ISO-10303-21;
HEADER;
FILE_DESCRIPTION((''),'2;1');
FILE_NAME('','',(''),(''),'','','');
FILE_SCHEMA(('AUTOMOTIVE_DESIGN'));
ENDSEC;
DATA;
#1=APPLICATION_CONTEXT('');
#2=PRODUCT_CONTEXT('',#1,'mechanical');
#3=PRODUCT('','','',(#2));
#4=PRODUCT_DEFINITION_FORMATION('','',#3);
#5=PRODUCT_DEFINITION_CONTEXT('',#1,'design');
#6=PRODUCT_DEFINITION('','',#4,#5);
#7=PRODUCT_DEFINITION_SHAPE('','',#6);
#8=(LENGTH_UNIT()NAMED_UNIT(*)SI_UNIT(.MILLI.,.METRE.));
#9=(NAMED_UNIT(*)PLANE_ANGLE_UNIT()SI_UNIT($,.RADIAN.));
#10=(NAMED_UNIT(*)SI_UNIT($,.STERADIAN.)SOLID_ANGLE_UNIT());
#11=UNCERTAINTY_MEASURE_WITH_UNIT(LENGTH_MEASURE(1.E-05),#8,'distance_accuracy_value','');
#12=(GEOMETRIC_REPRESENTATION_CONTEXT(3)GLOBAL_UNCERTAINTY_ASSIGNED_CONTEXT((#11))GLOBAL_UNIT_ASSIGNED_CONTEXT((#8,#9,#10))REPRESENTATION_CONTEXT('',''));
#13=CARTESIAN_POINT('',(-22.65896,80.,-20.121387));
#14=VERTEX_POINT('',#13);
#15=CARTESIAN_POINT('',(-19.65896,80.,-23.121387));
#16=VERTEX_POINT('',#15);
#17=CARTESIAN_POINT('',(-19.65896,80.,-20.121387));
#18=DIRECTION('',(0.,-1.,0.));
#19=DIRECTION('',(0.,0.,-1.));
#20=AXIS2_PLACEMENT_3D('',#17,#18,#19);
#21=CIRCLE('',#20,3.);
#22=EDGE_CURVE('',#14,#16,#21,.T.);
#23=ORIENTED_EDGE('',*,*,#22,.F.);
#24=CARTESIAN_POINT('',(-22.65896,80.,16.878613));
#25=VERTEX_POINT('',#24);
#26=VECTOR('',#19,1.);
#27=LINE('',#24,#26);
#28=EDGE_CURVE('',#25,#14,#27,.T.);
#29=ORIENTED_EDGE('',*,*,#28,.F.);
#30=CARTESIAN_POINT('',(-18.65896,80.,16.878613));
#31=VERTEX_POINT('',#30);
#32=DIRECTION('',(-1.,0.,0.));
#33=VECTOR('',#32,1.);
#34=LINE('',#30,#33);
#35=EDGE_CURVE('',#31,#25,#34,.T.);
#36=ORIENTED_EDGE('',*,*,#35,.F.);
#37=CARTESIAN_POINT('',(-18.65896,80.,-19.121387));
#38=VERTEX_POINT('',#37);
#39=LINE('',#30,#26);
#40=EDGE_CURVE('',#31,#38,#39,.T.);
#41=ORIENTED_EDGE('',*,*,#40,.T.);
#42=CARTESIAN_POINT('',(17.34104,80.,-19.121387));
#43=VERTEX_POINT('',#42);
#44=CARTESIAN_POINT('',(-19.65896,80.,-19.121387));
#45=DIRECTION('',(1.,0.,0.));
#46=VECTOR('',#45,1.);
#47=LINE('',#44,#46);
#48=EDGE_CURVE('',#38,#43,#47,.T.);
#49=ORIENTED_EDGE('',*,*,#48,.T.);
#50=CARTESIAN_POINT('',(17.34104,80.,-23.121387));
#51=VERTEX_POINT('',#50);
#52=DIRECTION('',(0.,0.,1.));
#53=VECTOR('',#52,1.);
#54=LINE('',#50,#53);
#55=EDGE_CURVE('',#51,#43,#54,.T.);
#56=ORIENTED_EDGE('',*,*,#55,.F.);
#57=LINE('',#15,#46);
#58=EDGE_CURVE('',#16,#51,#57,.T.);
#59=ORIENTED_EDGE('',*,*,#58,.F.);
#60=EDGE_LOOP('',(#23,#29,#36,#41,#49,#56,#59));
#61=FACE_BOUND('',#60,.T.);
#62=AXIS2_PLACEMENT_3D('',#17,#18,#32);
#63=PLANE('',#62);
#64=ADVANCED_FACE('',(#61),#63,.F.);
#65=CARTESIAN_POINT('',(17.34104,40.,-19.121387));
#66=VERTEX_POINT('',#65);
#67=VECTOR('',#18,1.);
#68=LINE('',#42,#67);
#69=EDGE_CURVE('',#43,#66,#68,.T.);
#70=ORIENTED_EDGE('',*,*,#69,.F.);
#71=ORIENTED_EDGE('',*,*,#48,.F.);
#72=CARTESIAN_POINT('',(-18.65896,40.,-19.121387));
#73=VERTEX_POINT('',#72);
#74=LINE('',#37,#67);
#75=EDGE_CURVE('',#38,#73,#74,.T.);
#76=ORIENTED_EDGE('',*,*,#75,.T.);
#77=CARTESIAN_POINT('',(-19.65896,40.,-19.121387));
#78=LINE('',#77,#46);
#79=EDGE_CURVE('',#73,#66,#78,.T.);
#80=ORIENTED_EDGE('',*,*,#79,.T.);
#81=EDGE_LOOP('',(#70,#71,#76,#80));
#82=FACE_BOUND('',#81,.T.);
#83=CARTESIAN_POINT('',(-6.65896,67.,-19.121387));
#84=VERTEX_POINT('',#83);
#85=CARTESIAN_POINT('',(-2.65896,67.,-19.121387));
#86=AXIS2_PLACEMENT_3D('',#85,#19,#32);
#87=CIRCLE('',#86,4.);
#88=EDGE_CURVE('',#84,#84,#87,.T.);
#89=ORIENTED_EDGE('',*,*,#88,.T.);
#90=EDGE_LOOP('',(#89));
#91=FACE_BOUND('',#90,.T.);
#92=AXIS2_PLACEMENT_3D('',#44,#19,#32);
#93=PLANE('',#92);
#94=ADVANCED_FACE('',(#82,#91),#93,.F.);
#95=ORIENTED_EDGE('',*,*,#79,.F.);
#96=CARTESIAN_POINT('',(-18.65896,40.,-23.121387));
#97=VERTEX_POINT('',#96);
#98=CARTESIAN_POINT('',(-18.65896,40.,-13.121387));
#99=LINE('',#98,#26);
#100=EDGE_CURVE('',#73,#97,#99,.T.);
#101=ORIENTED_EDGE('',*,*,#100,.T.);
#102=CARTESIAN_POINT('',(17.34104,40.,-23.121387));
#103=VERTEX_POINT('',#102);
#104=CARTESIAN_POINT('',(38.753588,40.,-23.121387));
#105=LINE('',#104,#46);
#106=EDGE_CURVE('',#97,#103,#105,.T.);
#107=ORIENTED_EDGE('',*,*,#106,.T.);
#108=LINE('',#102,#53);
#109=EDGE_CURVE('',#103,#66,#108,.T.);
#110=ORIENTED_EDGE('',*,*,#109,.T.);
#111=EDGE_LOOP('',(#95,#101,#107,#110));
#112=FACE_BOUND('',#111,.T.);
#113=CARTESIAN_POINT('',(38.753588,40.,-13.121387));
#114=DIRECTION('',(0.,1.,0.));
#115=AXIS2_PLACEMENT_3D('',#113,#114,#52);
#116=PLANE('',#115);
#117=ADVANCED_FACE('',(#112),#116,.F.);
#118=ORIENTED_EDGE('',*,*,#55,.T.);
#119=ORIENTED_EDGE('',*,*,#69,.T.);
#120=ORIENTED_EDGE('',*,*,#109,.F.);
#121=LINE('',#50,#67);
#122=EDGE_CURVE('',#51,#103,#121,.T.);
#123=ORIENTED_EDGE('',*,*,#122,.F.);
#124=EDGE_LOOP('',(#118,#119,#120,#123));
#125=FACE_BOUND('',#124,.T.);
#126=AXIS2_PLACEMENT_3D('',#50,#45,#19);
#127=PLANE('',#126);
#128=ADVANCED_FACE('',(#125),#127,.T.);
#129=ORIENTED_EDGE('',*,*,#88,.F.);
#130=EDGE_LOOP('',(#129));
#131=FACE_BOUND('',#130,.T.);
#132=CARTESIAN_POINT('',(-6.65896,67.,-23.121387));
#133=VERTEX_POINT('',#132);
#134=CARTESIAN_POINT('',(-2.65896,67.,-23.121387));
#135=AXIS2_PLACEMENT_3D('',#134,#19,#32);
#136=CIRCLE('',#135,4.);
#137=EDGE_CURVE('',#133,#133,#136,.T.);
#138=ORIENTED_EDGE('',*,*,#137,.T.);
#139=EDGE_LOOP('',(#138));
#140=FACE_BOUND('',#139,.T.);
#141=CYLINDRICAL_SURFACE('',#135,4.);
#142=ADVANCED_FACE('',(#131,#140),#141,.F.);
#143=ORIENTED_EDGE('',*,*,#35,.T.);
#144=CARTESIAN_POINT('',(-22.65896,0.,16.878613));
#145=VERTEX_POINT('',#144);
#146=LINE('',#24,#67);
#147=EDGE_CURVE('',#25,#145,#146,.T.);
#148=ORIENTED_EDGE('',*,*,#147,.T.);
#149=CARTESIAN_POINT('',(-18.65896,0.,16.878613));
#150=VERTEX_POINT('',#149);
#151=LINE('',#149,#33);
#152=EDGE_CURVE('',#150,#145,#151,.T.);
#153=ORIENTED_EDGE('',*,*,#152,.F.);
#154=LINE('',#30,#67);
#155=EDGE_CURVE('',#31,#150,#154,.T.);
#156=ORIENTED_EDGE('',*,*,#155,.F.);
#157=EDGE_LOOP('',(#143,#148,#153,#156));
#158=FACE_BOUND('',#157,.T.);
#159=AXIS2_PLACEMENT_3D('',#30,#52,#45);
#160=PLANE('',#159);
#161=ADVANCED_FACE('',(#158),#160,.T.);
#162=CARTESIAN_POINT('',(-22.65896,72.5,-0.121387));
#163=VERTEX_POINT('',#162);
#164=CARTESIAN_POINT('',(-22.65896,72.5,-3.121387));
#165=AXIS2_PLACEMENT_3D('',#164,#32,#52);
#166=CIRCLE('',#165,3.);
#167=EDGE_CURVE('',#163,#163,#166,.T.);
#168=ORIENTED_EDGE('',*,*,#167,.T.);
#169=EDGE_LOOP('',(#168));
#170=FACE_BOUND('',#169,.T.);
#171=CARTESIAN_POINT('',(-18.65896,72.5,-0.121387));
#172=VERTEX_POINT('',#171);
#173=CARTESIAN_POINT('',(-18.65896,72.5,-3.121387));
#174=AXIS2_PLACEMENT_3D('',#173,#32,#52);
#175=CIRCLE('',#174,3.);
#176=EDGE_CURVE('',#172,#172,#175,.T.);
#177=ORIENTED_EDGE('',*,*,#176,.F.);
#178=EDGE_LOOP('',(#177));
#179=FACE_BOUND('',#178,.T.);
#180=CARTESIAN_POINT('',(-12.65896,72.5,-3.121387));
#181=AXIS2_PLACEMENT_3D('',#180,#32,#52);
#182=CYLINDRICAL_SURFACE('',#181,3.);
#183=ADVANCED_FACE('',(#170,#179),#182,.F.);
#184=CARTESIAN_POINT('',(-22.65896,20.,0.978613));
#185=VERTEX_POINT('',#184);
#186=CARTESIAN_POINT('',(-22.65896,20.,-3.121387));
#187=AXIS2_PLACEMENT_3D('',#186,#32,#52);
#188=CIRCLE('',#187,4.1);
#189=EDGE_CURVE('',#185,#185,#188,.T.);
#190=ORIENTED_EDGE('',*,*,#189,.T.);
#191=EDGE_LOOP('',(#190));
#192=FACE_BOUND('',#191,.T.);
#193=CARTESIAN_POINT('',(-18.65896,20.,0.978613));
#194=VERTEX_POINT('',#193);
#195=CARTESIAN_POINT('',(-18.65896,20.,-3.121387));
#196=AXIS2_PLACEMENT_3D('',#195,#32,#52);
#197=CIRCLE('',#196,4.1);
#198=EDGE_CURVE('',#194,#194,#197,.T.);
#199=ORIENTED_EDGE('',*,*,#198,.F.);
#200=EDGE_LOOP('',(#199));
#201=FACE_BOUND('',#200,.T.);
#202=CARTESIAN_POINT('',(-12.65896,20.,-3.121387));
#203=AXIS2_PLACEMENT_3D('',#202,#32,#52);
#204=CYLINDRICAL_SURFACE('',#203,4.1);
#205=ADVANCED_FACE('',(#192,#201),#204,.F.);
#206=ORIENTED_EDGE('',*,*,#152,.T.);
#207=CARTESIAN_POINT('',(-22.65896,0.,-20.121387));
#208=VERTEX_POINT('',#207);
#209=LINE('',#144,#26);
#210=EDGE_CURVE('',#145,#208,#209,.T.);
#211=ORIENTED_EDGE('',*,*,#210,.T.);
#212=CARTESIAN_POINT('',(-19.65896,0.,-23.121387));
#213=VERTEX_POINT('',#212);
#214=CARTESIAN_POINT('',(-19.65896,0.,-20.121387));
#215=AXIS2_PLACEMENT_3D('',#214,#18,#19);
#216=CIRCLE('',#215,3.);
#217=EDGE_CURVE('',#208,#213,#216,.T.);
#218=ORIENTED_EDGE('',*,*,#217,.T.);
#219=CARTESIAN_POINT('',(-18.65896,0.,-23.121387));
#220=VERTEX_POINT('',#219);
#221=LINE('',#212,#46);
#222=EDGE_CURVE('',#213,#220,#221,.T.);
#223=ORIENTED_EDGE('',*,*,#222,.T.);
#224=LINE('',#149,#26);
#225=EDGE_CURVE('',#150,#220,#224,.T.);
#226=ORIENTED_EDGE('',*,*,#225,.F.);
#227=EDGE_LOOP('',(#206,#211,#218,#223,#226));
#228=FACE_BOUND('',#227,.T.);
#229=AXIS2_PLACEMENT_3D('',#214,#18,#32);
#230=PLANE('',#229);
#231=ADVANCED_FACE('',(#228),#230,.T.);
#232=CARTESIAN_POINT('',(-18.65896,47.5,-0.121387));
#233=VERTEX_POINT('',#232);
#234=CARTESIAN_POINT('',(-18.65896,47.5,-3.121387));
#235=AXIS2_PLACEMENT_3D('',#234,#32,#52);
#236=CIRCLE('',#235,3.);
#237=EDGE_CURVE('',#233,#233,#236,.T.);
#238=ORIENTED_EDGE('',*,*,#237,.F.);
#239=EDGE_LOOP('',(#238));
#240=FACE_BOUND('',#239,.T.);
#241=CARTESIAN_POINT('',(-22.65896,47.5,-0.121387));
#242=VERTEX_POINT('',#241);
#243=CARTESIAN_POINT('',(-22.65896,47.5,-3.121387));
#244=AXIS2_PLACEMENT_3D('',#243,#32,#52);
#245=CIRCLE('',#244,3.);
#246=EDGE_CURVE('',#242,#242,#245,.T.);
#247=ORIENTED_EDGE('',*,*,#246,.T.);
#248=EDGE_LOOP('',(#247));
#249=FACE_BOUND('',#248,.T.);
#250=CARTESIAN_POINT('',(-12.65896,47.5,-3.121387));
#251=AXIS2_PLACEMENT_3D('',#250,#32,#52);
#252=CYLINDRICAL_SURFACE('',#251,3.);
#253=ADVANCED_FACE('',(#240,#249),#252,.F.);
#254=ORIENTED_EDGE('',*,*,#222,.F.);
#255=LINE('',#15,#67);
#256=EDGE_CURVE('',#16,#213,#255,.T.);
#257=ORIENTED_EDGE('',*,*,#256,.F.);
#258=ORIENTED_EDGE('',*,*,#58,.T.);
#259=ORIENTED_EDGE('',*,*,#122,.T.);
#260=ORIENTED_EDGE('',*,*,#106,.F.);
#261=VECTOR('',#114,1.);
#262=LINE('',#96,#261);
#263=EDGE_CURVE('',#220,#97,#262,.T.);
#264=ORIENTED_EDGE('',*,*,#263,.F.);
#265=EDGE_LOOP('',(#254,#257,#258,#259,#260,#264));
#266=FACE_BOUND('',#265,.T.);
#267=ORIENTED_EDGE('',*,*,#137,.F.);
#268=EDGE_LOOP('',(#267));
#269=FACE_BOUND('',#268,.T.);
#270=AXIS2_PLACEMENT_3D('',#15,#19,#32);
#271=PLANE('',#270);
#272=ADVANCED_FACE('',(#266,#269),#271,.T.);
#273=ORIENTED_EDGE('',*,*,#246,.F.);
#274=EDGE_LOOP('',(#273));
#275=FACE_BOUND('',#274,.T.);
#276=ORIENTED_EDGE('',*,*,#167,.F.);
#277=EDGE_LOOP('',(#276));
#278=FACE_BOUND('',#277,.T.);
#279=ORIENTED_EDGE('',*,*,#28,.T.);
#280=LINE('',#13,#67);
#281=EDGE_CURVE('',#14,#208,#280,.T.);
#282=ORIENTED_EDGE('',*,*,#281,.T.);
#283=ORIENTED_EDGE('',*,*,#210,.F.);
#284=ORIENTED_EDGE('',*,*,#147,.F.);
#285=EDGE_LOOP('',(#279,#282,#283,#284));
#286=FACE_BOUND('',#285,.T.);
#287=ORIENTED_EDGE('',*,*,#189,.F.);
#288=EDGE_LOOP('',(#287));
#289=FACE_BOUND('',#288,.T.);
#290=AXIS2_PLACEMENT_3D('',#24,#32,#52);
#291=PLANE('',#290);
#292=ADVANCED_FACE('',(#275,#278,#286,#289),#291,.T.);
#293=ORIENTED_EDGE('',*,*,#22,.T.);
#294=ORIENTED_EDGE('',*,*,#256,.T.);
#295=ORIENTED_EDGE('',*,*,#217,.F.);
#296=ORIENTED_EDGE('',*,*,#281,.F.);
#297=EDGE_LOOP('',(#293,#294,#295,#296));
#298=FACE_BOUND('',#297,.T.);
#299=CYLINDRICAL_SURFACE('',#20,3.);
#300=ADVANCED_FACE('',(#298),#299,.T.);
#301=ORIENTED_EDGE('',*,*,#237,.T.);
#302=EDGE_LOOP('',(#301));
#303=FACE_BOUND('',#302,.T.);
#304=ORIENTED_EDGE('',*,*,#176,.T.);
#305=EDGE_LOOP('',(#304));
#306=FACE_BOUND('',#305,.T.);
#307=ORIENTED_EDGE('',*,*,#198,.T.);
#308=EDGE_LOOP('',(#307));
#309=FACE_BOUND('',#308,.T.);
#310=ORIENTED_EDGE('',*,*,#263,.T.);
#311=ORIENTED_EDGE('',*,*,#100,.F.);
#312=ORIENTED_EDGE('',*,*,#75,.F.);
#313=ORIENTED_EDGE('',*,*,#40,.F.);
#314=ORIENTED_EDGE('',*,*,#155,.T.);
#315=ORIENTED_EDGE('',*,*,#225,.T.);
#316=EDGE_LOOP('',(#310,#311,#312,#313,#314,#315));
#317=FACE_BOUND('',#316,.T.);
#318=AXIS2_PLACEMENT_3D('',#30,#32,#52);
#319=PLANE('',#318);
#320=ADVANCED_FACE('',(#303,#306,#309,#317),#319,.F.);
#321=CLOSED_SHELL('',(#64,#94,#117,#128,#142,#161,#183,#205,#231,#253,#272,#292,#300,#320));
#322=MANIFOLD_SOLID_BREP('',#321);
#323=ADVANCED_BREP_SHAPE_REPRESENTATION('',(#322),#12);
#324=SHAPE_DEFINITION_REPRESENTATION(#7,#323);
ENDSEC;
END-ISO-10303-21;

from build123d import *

# Parameters (mm, degrees)
EXTRUDE_THIN1_DEPTH   = 80
SKETCH5_R             = 4.1
SKETCH5_R_2           = 3
CUT_EXTRUDE2_DEPTH    = 10
SKETCH6_W             = 57.412547925
SKETCH6_H             = 40
CUT_EXTRUDE3_DEPTH    = 10
F_8_0MM_DOWEL_HOLE1_D = 8


with BuildPart() as part:
    # Sketch1 → Extrude-Thin1 (new body)
    with BuildSketch(Plane(origin=(0, 0, 0), x_dir=(1, 0, 0), z_dir=(0, 1, 0))):
        with BuildLine():
            Line((-22.658959538, -16.878612717), (-22.658959538, 20.121387283))
            ThreePointArc((-22.658959538, 20.121387283), (-21.780279881, 22.242707627), (-19.658959538, 23.121387283))
            Line((-19.658959538, 23.121387283), (17.341040462, 23.121387283))
            Line((17.341040462, 23.121387283), (17.341040462, 19.121387283))
            Line((17.341040462, 19.121387283), (-18.658959538, 19.121387283))
            Line((-18.658959538, 19.121387283), (-18.658959538, -16.878612717))
            Line((-18.658959538, -16.878612717), (-22.658959538, -16.878612717))
        make_face()
    extrude(amount=EXTRUDE_THIN1_DEPTH)

    # Sketch5 → Cut-Extrude2 (cut)
    with BuildSketch(Plane.ZY.offset(22.658959538)):
        with Locations((-3.121387283, 20)):
            Circle(SKETCH5_R)
        with Locations((-3.121387283, 47.5)):
            Circle(SKETCH5_R_2)
        with Locations((-3.121387283, 72.5)):
            Circle(SKETCH5_R_2)
    extrude(amount=-CUT_EXTRUDE2_DEPTH, mode=Mode.SUBTRACT)

    # Sketch6 → Cut-Extrude3 (cut)
    with BuildSketch(Plane(origin=(0, 0, -23.121387283), x_dir=(-1, 0, 0), z_dir=(0, 0, -1))):
        with Locations((-10.047314424, 20)):
            Rectangle(SKETCH6_W, SKETCH6_H)
    extrude(amount=-CUT_EXTRUDE3_DEPTH, mode=Mode.SUBTRACT)

    # Ø8.0mm Dowel Hole1 (through all)
    with Locations(Plane(origin=(0, 0, -23.121387283), x_dir=(-1, 0, 0), z_dir=(0, 0, -1))):
        with Locations((2.658959538, 67)):
            Hole(F_8_0MM_DOWEL_HOLE1_D / 2)


solid = part.part
